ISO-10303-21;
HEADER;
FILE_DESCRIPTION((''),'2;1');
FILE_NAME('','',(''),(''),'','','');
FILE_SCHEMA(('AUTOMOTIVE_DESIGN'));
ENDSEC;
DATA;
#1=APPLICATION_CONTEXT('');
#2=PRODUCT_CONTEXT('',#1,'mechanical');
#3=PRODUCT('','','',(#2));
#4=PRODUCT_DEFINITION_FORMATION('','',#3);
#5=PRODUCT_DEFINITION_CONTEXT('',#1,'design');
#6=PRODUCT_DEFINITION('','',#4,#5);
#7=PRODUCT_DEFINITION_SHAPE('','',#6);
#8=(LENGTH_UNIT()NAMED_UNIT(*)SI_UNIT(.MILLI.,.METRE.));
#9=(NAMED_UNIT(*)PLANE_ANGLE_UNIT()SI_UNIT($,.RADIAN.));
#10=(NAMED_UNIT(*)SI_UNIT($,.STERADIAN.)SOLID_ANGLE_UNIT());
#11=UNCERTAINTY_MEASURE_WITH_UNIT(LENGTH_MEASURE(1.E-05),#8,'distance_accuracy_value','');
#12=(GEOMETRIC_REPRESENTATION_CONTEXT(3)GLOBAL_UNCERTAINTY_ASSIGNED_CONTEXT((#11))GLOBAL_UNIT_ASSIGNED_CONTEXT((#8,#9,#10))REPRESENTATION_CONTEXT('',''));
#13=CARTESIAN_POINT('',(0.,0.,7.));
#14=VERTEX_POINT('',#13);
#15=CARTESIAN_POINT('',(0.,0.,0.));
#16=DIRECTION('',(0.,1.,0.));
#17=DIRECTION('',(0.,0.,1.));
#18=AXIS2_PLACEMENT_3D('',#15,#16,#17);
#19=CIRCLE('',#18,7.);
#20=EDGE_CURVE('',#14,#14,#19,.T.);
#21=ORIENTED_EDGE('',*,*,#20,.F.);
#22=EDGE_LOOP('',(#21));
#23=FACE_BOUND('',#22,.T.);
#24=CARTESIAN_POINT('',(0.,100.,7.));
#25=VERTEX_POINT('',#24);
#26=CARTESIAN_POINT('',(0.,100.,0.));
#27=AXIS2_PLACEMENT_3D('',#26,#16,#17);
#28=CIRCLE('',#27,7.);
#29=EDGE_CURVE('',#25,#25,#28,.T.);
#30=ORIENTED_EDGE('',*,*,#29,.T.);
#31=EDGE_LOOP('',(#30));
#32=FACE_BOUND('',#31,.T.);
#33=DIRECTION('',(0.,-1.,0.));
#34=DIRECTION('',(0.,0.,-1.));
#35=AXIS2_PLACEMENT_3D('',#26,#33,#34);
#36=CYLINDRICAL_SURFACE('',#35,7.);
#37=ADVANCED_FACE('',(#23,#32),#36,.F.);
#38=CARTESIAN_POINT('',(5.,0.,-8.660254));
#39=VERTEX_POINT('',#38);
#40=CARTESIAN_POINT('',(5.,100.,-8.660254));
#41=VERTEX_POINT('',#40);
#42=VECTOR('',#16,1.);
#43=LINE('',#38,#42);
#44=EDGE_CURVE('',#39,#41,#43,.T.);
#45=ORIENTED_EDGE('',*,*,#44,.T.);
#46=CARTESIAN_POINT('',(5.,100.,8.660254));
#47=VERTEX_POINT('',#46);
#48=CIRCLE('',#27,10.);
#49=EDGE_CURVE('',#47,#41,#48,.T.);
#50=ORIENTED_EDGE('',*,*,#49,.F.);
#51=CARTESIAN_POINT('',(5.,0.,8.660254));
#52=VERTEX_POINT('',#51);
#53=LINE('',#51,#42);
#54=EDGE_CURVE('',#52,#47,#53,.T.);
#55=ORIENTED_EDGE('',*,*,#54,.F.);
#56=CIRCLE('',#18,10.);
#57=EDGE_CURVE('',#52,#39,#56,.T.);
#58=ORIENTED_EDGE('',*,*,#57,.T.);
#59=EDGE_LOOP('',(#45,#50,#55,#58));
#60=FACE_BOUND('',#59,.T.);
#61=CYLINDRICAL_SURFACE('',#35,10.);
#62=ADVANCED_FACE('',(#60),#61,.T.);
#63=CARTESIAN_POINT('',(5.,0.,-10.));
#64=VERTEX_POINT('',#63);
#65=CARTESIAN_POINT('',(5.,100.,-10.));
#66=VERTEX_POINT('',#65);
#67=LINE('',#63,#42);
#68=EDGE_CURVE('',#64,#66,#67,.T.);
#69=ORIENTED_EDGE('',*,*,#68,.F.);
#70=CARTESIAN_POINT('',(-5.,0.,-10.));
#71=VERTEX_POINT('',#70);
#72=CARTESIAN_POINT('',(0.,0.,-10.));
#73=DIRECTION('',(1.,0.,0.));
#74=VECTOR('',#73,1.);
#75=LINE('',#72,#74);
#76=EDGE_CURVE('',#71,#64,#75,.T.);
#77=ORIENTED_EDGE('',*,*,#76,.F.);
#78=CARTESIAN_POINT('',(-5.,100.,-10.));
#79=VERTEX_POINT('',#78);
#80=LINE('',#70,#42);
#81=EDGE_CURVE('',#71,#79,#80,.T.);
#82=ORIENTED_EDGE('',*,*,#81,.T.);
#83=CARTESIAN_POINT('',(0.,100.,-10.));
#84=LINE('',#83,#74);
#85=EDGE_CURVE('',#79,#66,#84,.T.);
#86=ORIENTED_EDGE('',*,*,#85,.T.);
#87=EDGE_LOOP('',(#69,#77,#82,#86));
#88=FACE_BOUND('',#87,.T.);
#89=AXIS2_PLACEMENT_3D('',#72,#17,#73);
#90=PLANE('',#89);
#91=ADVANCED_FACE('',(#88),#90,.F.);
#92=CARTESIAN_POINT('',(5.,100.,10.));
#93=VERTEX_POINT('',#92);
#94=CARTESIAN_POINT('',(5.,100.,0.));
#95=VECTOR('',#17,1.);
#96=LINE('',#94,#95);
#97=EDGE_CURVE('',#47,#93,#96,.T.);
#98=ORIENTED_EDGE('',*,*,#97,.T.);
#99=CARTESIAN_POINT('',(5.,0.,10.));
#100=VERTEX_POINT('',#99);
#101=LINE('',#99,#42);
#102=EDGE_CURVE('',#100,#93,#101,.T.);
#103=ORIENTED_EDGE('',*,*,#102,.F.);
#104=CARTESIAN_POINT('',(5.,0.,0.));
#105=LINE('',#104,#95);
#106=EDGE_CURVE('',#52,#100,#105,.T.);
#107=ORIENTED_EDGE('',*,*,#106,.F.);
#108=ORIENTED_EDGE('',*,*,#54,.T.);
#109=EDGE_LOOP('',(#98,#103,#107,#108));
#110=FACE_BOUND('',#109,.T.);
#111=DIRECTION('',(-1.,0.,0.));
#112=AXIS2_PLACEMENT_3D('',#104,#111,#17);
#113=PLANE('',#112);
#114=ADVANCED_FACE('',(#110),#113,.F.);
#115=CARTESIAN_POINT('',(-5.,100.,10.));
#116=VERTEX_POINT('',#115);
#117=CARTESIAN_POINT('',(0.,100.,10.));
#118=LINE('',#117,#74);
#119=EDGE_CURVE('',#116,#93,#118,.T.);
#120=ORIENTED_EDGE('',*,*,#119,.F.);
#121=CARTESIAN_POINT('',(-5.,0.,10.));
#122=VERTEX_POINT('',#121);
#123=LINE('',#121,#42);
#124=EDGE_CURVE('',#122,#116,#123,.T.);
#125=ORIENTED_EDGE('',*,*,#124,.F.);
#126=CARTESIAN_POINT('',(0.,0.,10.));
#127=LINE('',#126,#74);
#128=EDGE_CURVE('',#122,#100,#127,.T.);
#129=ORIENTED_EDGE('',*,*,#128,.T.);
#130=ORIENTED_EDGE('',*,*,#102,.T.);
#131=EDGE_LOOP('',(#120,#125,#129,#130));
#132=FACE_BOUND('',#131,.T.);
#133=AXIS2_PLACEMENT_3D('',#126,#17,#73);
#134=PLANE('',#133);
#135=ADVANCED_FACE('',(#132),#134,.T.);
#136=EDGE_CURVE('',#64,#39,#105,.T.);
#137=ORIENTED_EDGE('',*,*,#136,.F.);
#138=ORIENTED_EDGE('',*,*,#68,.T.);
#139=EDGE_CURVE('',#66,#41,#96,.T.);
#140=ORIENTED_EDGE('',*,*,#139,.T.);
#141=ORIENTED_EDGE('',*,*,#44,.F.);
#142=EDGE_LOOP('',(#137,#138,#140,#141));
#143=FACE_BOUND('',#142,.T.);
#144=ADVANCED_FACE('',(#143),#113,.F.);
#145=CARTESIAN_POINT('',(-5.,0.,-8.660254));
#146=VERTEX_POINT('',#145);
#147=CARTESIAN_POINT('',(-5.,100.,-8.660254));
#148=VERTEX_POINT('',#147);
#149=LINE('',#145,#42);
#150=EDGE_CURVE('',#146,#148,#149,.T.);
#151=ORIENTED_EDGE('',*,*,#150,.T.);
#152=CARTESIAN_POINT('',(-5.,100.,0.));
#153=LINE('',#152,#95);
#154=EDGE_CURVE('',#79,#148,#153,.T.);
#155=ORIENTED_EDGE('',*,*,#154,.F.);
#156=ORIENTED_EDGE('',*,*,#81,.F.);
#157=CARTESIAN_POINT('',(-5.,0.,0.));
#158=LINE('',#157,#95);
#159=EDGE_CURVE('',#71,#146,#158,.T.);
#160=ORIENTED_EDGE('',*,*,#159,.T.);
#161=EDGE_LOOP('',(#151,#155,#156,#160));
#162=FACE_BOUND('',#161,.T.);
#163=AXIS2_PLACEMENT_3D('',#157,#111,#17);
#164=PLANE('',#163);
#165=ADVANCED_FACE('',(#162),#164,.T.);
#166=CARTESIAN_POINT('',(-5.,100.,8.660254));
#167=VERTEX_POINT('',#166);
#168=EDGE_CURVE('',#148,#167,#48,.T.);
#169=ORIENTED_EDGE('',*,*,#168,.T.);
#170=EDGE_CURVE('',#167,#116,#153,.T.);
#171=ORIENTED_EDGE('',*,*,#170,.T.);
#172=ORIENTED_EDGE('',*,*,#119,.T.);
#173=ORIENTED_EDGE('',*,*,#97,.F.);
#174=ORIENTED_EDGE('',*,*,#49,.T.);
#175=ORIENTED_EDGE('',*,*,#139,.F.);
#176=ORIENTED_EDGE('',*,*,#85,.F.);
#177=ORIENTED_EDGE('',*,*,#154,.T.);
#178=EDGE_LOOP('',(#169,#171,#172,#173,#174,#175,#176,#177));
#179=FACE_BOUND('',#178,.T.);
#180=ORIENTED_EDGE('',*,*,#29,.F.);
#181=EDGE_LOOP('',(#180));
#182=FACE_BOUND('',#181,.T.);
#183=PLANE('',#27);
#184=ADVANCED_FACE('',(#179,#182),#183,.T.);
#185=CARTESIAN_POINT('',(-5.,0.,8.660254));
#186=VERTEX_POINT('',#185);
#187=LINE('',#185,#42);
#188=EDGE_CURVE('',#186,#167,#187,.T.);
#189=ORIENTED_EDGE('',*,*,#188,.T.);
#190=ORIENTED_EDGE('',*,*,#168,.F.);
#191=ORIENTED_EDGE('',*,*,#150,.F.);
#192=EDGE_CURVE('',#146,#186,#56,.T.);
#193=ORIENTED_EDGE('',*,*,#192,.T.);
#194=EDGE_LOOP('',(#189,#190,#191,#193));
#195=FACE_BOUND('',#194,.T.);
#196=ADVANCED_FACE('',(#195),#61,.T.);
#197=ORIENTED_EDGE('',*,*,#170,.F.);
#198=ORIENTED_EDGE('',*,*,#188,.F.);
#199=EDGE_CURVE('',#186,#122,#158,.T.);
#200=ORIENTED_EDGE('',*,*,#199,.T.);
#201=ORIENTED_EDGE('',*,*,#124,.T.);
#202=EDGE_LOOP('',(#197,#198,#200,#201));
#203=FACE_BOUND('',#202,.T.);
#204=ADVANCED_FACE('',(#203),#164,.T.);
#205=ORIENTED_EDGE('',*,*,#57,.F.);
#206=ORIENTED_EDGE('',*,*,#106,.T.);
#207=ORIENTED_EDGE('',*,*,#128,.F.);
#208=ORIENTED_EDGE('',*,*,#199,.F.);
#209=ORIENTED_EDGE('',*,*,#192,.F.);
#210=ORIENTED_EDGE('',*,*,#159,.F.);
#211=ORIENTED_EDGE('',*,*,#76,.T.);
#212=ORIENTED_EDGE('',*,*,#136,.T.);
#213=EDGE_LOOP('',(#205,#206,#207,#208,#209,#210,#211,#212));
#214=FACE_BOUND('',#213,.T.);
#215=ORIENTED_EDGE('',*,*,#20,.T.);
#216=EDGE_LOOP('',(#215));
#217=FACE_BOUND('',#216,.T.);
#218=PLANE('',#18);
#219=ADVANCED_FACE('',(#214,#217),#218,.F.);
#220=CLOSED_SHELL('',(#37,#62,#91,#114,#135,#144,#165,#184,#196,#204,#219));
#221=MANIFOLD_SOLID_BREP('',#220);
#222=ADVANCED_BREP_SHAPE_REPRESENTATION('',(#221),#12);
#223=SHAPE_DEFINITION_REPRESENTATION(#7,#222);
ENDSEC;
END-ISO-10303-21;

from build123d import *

# Parameters (mm, degrees)
SKETCH1_R           = 10
SKETCH1_R_2         = 7
BOSS_EXTRUDE1_DEPTH = 100
BOSS_EXTRUDE2_DEPTH = 100


with BuildPart() as part:
    # Sketch1 → Boss-Extrude1 (new body)
    with BuildSketch(Plane(origin=(0, 0, 0), x_dir=(1, 0, 0), z_dir=(0, 1, 0))):
        Circle(SKETCH1_R)
        Circle(SKETCH1_R_2, mode=Mode.SUBTRACT)
    extrude(amount=BOSS_EXTRUDE1_DEPTH)

    # Sketch2 → Boss-Extrude2 (add)
    with BuildSketch(Plane(origin=(0, 100, 0), x_dir=(1, 0, 0), z_dir=(0, 1, 0))):
        with BuildLine():
            Line((0, 10), (-5, 10))
            Line((-5, 10), (-5, 8.660254038))
            ThreePointArc((-5, 8.660254038), (-2.588190451, 9.659258263), (0, 10))
        make_face()
        with BuildLine():
            Line((5, 10), (0, 10))
            ThreePointArc((0, 10), (2.588190451, 9.659258263), (5, 8.660254038))
            Line((5, 8.660254038), (5, 10))
        make_face()
        with BuildLine():
            ThreePointArc((-1.3e-08, -10), (-2.588190457, -9.659258261), (-5, -8.660254038))
            Line((-5, -8.660254038), (-5, -10))
            Line((-5, -10), (-1.3e-08, -10))
        make_face()
        with BuildLine():
            Line((5, -10), (5, -8.660254038))
            ThreePointArc((5, -8.660254038), (2.588190445, -9.659258265), (-1.3e-08, -10))
            Line((-1.3e-08, -10), (5, -10))
        make_face()
    extrude(amount=-BOSS_EXTRUDE2_DEPTH)


solid = part.part
